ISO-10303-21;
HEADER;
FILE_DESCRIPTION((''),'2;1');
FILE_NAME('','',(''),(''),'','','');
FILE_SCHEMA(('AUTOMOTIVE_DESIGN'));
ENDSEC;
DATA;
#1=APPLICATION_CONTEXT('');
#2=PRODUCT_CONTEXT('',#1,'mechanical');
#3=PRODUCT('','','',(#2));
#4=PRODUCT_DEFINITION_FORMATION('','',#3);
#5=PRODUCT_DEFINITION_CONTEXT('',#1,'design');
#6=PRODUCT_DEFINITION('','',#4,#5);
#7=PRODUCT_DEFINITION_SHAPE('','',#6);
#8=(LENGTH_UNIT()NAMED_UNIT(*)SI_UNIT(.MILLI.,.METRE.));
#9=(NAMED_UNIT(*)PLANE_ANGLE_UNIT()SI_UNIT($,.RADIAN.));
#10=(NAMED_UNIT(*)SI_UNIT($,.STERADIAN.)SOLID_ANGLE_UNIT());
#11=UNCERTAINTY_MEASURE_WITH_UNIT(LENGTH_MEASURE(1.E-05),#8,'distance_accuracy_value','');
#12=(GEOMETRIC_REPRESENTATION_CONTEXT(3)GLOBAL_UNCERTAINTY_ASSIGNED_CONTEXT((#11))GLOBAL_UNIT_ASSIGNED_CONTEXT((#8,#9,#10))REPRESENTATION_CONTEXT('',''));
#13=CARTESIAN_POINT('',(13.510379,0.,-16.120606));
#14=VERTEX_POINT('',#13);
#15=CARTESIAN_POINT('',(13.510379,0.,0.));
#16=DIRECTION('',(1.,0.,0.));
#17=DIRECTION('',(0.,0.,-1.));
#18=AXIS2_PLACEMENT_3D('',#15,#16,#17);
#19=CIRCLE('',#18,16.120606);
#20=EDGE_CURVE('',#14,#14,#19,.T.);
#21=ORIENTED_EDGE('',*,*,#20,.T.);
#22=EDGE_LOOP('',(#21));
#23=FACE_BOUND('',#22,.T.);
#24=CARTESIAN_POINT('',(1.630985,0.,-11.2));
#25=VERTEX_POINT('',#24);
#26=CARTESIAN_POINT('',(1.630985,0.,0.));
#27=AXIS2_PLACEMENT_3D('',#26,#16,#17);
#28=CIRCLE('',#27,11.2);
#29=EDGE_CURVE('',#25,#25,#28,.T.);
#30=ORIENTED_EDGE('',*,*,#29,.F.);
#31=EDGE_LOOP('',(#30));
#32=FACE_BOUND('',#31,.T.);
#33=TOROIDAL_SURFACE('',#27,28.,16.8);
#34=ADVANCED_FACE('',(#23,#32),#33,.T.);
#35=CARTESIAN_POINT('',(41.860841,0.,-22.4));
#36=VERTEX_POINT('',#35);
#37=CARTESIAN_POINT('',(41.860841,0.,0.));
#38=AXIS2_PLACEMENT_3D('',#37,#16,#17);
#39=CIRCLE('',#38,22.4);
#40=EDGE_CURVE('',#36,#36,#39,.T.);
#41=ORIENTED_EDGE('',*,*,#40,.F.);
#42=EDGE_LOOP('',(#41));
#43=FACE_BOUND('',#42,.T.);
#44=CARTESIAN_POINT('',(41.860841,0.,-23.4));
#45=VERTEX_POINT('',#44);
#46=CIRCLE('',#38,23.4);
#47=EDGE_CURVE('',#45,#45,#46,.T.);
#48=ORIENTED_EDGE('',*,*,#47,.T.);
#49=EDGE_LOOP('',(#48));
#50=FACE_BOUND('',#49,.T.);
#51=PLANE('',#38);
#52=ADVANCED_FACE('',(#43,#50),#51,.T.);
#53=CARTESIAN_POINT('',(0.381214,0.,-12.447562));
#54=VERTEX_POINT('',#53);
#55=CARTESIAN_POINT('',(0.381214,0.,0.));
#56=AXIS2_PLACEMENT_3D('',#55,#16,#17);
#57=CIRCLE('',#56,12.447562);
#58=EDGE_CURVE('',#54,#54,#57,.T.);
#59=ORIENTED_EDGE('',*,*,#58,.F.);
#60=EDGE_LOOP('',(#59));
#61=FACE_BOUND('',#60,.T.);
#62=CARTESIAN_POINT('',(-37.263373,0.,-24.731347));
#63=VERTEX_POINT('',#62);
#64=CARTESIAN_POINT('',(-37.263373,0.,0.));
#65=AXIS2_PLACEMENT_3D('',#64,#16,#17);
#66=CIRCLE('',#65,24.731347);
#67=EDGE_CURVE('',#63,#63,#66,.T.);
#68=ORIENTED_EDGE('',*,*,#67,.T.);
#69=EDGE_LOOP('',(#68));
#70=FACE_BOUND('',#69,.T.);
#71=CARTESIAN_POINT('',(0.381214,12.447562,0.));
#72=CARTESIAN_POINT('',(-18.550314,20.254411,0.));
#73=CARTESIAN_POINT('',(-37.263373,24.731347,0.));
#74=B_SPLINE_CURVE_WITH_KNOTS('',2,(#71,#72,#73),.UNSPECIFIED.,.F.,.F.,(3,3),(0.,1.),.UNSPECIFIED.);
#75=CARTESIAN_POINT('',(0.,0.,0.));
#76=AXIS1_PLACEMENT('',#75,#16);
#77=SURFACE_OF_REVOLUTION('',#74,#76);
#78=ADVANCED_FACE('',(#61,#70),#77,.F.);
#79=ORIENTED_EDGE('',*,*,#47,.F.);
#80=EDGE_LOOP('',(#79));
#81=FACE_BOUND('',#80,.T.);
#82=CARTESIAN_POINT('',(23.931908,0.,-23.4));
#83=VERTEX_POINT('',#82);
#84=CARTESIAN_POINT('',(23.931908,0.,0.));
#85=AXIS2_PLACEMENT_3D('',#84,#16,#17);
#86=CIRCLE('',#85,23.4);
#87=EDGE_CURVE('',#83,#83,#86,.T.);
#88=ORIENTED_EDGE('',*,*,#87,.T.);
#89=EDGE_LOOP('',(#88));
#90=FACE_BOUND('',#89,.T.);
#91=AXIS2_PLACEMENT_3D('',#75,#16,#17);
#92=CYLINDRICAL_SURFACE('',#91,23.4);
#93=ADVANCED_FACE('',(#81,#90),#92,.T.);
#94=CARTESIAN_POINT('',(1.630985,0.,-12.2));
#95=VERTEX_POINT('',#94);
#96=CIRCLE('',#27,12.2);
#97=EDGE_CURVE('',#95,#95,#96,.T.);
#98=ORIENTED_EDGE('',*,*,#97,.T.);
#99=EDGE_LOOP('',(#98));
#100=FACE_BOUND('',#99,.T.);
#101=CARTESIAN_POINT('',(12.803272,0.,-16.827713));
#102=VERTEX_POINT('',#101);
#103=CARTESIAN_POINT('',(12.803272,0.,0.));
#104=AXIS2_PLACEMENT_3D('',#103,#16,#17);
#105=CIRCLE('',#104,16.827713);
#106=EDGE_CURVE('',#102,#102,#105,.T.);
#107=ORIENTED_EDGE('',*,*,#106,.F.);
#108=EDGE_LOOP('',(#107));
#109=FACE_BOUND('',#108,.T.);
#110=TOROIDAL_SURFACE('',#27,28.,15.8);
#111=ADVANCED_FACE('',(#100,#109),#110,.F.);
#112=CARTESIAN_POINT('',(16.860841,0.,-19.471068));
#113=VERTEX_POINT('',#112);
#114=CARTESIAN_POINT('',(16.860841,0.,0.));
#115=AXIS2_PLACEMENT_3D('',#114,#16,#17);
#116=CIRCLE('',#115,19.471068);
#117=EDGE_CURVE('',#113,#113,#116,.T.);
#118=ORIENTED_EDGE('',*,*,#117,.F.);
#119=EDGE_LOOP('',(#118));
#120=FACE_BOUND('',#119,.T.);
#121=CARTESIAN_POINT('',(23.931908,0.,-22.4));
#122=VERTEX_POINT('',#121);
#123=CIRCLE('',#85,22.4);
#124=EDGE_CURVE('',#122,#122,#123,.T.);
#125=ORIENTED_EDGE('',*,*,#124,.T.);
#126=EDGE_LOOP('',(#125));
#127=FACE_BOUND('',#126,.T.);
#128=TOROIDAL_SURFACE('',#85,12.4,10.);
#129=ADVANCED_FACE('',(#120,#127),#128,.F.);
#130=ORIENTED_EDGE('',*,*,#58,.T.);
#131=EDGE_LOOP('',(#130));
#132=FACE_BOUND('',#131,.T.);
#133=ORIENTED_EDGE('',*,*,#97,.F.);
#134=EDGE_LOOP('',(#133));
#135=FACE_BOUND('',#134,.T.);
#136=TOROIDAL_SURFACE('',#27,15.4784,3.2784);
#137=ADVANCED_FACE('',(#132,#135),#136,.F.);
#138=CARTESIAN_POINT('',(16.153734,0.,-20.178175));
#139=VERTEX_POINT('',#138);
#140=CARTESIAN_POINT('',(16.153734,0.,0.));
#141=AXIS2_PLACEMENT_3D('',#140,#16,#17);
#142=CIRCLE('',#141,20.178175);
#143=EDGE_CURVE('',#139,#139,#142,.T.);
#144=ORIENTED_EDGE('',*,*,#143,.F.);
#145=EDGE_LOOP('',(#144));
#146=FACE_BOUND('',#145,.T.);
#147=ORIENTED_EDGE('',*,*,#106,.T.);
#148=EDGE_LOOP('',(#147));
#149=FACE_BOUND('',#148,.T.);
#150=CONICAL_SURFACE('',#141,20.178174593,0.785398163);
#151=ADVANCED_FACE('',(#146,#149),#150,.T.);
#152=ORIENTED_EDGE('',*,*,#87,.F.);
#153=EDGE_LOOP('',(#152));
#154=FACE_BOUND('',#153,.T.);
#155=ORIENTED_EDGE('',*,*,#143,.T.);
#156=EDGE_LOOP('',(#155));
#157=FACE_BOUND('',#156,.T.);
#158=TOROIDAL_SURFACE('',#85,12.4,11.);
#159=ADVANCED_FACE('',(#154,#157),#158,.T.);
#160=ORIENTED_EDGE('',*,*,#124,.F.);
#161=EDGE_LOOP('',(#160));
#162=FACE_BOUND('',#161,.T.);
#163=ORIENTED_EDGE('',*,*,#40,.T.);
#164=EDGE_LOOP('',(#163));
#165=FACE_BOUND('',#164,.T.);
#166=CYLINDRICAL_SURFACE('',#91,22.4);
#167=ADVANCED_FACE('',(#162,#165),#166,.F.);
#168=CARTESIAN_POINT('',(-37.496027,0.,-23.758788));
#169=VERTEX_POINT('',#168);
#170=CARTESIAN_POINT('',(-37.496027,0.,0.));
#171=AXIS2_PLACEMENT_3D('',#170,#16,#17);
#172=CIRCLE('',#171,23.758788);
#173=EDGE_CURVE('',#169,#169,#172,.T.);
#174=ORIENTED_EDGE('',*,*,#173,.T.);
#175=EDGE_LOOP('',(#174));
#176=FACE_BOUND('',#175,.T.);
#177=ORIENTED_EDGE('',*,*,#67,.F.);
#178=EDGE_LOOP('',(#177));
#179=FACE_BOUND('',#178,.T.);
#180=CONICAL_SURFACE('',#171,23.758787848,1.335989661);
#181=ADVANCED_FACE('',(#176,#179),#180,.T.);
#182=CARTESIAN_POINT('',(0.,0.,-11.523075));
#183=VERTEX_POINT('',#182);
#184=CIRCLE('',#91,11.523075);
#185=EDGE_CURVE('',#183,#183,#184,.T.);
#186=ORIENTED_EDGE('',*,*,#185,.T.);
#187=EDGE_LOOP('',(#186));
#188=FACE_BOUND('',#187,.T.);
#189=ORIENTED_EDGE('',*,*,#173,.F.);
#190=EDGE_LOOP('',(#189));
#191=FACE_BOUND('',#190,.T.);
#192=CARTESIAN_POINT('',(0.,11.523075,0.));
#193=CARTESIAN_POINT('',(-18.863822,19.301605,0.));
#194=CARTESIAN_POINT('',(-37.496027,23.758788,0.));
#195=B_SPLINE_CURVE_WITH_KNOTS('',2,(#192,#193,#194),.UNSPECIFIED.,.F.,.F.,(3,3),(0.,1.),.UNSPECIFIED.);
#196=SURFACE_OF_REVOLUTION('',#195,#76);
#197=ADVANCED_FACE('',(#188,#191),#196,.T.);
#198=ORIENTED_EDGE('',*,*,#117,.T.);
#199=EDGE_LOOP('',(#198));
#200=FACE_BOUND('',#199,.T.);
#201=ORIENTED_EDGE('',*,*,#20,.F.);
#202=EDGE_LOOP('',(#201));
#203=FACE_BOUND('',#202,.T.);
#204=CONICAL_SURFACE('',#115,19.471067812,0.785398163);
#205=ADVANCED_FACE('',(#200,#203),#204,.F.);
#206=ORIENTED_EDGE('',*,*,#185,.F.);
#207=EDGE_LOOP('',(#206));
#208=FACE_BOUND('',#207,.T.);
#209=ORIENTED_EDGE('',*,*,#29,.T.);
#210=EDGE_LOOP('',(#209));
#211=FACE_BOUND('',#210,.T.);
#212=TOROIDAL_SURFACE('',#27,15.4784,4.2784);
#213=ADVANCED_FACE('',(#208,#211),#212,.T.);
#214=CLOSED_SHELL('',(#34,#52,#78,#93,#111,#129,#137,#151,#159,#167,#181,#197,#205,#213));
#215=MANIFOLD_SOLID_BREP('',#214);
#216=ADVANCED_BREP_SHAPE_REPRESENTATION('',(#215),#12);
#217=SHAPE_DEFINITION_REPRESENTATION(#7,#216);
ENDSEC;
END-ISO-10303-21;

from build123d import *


with BuildPart() as part:
    # Sketch1 → Revolve1 (revolve)
    with BuildSketch(Plane.XY, mode=Mode.PRIVATE) as revolve1_sk:
        with BuildLine():
            Line((41.860840685, 22.4), (23.931908497, 22.4))
            ThreePointArc((23.931908497, 22.4), (20.105074173, 21.638795325), (16.860840685, 19.471067812))
            Line((16.860840685, 19.471067812), (13.510378949, 16.120606076))
            ThreePointArc((13.510378949, 16.120606076), (8.060066689, 12.478823854), (1.630985025, 11.2))
            ThreePointArc((1.630985025, 11.2), (0.799647289, 11.281545925), (0, 11.523075183))
            add(Edge.make_bspline(
                [(0, 11.523075183), (-18.863821879, 19.301604743), (-37.496027464, 23.758787848)],
                knots=[0, 0, 0, 1, 1, 1], degree=2))
            Line((-37.496027464, 23.758787848), (-37.263372503, 24.731347188))
            add(Edge.make_bspline(
                [(0.381213777, 12.447562098), (-18.550314145, 20.254410518), (-37.263372503, 24.731347188)],
                knots=[0, 0, 0, 1, 1, 1], degree=2))
            ThreePointArc((0.381213777, 12.447562098), (0.993957717, 12.262486013), (1.630985025, 12.2))
            ThreePointArc((1.630985025, 12.2), (7.677383257, 13.402703386), (12.803272168, 16.827712857))
            Line((12.803272168, 16.827712857), (16.153733904, 20.178174593))
            ThreePointArc((16.153733904, 20.178174593), (19.722390741, 22.562674858), (23.931908497, 23.4))
            Line((23.931908497, 23.4), (41.860840685, 23.4))
            Line((41.860840685, 23.4), (41.860840685, 22.4))
        make_face()
    revolve(revolve1_sk.sketch.rotate(Axis((0, 0, 0), (-1, 0, 0)), 90), axis=Axis((0, 0, 0), (-1, 0, 0)))


solid = part.part
